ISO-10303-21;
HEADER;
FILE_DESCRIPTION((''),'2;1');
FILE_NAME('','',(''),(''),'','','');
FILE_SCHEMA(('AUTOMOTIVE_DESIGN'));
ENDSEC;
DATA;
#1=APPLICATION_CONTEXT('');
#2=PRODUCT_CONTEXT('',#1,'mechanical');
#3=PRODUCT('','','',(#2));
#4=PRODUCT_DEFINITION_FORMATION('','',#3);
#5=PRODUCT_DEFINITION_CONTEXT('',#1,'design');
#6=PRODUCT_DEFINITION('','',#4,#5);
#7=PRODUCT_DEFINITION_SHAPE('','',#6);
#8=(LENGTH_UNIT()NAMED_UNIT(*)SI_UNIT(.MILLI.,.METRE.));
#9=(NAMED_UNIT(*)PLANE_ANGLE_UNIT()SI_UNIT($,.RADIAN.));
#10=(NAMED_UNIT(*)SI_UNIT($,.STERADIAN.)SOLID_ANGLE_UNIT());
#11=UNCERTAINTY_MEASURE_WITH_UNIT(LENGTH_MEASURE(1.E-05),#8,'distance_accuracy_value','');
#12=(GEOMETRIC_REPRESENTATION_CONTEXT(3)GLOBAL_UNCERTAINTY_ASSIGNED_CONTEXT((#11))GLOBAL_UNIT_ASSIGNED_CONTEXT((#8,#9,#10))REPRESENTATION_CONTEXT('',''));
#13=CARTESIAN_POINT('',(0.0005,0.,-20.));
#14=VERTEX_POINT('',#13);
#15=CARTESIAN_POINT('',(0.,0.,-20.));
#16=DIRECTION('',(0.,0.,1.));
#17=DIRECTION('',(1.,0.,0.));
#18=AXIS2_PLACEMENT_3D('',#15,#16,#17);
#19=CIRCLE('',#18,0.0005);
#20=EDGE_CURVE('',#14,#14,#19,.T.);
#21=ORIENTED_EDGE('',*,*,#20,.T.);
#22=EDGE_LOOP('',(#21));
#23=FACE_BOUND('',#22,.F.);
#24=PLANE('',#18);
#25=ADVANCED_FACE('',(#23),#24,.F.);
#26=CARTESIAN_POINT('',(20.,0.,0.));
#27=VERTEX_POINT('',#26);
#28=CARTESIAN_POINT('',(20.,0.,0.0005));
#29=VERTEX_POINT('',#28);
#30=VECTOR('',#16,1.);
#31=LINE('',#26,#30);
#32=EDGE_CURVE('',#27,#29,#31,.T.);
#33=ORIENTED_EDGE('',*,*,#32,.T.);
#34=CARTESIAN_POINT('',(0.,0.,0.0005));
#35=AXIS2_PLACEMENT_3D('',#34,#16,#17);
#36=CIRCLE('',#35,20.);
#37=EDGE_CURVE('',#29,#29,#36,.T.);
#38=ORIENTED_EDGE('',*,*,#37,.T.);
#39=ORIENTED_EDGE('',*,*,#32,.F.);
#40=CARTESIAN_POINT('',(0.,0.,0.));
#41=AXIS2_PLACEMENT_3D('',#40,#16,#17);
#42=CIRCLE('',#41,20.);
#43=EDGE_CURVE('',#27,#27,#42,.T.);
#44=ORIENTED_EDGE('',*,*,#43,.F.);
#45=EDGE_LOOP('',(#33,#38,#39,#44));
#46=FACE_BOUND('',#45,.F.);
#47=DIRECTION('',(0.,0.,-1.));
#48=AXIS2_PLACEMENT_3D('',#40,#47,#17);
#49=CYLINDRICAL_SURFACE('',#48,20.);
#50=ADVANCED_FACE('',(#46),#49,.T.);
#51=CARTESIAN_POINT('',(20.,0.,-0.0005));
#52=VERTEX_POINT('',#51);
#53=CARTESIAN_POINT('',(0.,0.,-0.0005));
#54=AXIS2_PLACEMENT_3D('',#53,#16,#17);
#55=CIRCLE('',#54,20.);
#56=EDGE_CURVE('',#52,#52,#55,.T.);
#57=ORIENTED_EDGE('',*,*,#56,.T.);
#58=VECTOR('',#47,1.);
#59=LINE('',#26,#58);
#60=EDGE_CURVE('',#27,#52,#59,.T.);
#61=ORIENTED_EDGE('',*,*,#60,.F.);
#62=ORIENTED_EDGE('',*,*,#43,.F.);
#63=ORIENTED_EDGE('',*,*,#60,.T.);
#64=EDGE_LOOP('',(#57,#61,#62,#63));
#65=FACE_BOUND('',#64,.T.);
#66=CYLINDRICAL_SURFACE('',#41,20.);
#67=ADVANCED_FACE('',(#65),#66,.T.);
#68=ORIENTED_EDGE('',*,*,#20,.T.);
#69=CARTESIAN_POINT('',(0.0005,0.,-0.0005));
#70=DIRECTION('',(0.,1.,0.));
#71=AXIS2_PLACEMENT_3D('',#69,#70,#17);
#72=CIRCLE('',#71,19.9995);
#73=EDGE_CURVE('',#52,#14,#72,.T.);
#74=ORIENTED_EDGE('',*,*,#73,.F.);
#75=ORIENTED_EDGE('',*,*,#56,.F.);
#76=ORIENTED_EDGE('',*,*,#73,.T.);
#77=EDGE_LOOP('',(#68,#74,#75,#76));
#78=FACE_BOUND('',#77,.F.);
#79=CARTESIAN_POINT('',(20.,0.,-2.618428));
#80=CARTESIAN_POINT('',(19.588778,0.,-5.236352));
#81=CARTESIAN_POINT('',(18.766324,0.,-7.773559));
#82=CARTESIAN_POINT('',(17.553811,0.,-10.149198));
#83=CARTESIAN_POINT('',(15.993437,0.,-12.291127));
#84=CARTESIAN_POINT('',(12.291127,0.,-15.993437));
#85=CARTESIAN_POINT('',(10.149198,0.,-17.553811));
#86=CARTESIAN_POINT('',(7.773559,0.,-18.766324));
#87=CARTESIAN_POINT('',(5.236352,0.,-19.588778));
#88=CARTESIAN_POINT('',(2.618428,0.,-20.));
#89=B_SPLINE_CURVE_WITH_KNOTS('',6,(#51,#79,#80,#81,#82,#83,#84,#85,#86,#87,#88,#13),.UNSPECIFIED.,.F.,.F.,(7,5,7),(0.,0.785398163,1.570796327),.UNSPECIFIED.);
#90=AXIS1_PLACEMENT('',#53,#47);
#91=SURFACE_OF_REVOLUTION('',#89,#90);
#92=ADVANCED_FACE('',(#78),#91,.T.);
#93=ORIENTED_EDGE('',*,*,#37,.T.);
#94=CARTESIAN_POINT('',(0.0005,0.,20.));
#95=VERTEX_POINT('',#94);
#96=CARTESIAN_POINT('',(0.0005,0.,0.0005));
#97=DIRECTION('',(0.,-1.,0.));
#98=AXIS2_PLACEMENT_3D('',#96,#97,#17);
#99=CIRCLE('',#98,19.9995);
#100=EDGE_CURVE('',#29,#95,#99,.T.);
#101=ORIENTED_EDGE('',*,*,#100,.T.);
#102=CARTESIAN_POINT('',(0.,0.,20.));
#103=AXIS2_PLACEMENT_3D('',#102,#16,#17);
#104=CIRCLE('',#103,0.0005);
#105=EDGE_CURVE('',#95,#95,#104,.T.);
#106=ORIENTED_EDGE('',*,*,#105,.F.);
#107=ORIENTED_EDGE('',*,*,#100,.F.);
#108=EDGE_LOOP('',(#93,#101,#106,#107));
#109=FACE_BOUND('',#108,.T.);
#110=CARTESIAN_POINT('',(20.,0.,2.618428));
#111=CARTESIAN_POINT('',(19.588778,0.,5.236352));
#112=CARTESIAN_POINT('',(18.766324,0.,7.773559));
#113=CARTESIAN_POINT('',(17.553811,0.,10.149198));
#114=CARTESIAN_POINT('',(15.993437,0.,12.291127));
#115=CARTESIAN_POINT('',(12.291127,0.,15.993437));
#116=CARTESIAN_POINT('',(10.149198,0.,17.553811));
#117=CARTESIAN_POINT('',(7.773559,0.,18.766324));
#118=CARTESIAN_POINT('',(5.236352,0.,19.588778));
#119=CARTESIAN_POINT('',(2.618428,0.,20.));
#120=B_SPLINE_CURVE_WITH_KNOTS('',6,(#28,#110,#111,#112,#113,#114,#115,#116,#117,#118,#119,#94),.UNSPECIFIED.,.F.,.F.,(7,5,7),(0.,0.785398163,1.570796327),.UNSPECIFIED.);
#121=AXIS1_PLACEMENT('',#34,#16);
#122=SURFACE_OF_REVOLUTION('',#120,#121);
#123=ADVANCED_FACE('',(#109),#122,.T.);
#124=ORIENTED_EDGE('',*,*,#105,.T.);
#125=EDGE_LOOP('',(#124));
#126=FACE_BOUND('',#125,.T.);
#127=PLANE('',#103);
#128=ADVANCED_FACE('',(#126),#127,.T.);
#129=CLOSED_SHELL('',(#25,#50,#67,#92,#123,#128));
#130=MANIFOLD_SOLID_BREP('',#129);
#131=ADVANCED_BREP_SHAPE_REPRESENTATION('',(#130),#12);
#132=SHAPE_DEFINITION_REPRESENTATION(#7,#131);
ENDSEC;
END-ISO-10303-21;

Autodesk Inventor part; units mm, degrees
ref_plane "YZ Plane" through (0, 0, 0) normal (1, 0, 0) x (0, 1, 0)
ref_plane "XZ Plane" through (0, 0, 0) normal (0, 1, 0) x (-1, 0, 0)
ref_plane "XY Plane" through (0, 0, 0) normal (0, 0, 1) x (1, 0, 0)
sketch "Sketch1" plane through (0, 0, 0) normal (0, 0, 1) x (1, 0, 0)
  circle A0 centre (0, 0) radius 20
  dimension "d0" = 40
extrude "Extrusion1" add sketch "Sketch1" along normal mid plane 40
fillet "Fillet1" radius 20 2 edges at (-20, 0, 20) (-20, 0, -20)
properties part number "Ball 30mm" material "Copper, Alloy"
